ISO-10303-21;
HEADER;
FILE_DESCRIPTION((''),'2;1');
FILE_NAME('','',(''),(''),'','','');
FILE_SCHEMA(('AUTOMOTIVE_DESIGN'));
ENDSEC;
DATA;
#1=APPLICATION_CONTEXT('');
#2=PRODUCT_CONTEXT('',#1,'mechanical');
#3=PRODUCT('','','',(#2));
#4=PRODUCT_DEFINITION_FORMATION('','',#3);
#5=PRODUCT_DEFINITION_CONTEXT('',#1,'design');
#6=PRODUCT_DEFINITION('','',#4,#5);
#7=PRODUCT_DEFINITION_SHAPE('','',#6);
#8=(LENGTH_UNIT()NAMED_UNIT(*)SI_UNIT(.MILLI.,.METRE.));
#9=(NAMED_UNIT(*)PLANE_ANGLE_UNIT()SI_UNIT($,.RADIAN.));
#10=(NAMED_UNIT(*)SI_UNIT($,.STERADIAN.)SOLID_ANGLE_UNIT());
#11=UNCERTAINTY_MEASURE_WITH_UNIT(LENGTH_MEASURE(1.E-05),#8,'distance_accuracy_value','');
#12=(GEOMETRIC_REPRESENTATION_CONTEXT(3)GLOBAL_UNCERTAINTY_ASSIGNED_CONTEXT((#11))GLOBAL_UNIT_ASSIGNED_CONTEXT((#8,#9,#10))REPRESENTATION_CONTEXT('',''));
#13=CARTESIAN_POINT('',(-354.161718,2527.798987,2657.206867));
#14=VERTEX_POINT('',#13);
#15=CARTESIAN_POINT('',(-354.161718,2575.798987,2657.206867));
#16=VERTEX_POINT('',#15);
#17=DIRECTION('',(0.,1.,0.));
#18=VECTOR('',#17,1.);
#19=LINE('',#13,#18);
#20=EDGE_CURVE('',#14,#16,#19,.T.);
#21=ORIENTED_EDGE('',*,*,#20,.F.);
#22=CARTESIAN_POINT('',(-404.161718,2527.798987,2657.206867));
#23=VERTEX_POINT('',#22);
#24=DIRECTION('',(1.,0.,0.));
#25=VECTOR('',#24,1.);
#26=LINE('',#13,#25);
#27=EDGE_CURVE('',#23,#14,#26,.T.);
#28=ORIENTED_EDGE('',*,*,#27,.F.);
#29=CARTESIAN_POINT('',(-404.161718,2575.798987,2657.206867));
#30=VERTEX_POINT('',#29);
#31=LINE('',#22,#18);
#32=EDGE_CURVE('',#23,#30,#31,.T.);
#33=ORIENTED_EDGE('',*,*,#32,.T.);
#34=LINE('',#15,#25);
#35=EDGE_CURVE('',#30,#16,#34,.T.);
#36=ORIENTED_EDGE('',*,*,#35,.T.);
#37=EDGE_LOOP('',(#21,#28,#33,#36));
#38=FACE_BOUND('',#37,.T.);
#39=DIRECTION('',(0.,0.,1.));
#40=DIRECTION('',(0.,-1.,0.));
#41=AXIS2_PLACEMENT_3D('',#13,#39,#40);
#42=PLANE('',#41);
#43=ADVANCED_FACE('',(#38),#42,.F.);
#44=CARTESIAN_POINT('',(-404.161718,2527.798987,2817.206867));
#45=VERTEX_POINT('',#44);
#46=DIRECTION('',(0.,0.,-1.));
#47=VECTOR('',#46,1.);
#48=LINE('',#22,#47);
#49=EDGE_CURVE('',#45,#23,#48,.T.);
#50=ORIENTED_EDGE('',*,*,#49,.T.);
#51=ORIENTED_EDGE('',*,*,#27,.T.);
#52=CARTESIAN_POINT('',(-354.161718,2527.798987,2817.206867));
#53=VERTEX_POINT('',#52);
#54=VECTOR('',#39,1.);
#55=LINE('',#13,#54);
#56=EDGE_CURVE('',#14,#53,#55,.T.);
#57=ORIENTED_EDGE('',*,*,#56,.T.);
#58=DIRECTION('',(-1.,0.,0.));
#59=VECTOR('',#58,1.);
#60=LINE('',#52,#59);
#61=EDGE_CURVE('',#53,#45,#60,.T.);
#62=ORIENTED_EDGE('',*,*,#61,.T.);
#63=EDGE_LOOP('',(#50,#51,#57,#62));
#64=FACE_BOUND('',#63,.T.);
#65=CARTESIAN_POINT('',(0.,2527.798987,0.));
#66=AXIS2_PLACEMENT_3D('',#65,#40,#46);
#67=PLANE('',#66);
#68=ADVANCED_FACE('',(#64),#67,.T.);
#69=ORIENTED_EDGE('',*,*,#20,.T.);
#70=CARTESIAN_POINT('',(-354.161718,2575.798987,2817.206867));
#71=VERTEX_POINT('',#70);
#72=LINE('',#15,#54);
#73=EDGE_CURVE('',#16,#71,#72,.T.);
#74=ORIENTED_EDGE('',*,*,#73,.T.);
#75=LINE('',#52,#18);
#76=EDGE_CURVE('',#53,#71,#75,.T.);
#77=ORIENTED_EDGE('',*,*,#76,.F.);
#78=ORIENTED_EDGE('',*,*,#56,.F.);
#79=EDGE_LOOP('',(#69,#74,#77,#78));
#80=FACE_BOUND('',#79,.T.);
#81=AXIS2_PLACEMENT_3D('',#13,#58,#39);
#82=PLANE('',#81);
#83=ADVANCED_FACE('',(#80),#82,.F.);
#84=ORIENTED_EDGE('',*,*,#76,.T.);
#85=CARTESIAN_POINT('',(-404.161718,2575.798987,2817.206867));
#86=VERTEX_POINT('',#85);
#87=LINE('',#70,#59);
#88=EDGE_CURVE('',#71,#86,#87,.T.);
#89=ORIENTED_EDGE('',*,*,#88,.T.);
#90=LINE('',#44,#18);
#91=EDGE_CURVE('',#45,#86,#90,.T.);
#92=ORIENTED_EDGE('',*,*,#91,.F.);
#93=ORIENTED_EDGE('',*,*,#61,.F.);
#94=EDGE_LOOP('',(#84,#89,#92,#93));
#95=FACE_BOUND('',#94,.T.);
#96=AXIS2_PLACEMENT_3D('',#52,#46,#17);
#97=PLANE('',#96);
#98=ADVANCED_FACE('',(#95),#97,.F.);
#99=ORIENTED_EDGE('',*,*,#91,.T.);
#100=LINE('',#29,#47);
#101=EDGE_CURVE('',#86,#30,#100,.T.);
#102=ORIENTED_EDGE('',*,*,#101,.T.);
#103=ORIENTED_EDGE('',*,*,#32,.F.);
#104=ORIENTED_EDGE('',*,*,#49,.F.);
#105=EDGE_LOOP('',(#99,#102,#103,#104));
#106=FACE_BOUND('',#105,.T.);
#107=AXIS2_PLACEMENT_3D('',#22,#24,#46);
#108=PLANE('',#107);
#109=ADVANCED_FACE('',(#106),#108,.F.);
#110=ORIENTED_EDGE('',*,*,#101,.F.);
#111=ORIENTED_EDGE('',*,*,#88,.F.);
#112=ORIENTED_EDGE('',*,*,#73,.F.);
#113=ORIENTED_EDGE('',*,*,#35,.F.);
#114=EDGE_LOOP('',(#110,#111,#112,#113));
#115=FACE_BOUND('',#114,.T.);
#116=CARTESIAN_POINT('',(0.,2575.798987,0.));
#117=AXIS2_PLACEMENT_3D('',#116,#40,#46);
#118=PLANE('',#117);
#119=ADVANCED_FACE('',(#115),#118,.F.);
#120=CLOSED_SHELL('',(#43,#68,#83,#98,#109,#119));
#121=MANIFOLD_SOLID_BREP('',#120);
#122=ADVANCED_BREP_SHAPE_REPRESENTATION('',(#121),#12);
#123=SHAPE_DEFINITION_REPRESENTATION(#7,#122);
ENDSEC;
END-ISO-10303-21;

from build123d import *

# Parameters (mm, degrees)
SCHIZZO1_W                   = 50
SCHIZZO1_H                   = 160
ESTRUSIONE_ESTRUSIONE1_DEPTH = 48


with BuildPart() as part:
    # Schizzo1 → Estrusione-Estrusione1 (new body)
    with BuildSketch(Plane(origin=(0, 2575.798986946, 0), x_dir=(-1, 0, 0), z_dir=(0, -1, 0))):
        with Locations((379.161717832, -2737.206867031)):
            Rectangle(SCHIZZO1_W, SCHIZZO1_H)
    extrude(amount=ESTRUSIONE_ESTRUSIONE1_DEPTH)


solid = part.part
